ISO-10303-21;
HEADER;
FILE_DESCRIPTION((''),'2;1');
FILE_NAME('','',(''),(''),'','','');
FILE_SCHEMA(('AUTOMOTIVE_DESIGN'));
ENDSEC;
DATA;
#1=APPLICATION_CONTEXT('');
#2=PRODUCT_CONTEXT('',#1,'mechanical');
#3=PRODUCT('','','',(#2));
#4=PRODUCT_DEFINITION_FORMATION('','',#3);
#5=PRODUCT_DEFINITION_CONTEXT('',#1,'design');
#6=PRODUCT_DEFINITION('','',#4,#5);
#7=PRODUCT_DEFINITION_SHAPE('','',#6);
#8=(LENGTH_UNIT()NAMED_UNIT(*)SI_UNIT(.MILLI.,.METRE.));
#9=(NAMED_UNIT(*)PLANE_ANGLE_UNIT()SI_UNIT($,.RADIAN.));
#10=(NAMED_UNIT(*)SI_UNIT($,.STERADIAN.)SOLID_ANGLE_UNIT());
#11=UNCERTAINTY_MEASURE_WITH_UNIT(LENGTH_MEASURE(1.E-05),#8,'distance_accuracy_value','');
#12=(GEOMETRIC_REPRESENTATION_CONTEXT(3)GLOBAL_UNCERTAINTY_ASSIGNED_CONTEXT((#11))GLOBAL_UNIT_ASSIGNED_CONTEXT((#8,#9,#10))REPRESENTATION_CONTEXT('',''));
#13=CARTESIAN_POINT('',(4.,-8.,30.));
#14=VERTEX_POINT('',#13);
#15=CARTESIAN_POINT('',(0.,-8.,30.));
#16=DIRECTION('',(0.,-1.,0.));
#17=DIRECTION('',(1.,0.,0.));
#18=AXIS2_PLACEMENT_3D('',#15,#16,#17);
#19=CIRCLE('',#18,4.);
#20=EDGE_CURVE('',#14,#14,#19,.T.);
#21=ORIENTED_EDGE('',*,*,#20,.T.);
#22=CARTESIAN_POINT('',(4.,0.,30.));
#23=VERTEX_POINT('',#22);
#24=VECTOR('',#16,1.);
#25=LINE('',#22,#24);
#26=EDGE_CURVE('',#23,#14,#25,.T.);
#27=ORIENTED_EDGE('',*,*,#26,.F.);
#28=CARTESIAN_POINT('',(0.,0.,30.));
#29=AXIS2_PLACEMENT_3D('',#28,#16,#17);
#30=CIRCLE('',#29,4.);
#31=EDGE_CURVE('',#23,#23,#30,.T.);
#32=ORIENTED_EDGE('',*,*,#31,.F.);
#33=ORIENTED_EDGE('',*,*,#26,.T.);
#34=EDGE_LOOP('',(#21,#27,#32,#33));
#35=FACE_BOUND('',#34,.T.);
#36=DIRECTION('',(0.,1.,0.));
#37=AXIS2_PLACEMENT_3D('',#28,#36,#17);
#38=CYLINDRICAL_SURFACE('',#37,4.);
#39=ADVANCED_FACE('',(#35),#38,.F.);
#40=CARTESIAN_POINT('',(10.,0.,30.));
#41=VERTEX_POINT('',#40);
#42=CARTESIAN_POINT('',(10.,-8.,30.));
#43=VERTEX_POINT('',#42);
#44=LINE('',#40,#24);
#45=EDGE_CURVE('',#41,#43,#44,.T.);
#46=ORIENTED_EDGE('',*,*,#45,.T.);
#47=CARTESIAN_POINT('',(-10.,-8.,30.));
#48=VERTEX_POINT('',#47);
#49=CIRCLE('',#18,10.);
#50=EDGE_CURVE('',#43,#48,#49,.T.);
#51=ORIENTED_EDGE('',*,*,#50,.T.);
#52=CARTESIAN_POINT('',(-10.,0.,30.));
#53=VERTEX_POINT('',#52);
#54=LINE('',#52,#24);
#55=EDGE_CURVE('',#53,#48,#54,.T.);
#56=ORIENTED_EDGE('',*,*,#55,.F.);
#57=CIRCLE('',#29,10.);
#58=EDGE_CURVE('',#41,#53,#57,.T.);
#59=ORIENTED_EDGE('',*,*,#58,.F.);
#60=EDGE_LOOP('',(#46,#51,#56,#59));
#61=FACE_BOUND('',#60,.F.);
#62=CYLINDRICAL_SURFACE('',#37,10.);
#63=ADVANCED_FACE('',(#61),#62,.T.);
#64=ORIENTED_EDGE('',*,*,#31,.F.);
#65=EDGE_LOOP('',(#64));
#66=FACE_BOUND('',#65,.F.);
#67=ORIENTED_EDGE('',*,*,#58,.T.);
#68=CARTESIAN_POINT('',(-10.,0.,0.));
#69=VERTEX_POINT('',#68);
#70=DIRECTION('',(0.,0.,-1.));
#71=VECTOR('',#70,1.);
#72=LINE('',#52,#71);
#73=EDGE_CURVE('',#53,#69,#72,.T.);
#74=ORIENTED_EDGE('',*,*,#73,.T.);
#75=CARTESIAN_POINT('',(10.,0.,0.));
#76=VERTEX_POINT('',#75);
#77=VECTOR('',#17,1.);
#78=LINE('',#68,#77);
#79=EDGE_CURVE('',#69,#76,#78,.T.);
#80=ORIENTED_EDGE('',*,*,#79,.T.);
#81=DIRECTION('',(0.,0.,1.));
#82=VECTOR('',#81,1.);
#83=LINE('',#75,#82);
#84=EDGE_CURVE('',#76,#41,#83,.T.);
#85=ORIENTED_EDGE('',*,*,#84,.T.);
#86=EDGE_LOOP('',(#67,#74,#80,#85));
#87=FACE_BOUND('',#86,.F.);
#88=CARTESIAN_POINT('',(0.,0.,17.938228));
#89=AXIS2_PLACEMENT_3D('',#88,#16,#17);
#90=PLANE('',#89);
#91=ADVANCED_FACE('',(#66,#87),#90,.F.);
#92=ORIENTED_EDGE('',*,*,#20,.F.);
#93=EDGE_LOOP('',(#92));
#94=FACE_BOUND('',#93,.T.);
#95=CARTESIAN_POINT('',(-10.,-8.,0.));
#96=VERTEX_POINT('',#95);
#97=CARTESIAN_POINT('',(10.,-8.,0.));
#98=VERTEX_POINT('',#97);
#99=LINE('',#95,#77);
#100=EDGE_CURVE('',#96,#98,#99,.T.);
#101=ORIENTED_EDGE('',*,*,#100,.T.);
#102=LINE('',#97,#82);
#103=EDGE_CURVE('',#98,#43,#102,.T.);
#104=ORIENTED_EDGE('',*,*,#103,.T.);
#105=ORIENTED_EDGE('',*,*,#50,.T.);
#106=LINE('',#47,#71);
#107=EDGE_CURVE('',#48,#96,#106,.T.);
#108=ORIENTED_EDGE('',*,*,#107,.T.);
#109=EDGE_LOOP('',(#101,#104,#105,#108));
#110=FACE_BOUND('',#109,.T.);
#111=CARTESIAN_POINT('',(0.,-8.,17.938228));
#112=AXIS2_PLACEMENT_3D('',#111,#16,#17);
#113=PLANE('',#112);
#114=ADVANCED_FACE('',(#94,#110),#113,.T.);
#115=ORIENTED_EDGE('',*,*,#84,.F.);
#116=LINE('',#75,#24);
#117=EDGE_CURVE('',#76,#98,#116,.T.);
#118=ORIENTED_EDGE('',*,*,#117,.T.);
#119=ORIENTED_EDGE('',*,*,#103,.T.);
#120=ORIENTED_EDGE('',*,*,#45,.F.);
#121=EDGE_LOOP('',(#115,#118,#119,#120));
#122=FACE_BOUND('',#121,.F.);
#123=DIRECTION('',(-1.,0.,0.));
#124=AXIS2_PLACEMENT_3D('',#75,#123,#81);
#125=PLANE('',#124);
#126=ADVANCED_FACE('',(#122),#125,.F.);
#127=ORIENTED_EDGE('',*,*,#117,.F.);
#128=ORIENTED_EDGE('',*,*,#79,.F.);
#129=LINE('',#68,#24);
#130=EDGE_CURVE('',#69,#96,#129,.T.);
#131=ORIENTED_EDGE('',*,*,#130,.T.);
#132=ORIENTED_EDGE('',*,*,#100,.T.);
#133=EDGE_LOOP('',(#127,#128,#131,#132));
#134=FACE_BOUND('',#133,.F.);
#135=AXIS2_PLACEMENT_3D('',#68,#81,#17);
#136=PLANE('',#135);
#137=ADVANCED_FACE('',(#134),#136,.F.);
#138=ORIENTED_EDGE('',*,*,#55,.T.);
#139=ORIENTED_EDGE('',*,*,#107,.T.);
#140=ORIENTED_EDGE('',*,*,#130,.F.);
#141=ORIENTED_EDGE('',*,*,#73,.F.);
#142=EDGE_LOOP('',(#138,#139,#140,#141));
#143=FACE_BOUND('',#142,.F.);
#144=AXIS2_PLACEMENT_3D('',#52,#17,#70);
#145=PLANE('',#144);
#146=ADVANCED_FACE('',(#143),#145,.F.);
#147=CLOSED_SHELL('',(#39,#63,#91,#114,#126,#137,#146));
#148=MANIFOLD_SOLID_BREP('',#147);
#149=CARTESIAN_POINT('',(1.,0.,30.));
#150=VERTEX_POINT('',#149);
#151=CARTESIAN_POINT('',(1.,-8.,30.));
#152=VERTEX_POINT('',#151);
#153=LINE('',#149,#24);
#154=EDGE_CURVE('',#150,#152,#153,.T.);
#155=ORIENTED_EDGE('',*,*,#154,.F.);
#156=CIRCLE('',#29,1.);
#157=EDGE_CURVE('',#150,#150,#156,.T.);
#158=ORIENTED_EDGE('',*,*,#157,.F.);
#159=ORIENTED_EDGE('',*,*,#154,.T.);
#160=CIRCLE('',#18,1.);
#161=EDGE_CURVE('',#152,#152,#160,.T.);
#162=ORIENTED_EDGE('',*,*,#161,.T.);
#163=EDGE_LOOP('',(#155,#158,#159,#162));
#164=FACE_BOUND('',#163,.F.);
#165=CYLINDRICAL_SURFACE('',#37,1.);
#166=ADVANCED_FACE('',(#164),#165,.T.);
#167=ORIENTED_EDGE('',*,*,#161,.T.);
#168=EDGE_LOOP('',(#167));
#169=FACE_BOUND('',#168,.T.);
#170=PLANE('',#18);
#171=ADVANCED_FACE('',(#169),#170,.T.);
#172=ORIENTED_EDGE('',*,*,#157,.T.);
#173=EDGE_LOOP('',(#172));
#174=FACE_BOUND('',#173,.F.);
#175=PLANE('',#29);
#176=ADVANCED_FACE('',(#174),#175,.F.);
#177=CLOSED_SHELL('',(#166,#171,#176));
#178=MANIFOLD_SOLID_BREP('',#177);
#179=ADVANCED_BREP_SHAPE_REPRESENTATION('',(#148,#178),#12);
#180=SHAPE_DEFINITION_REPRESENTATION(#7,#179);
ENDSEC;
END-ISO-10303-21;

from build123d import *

# Parameters (mm, degrees)
F0_R     = 4
F1_DEPTH = 8
F2_R     = 1
F3_DEPTH = 8


with BuildPart() as f1:
    # F0 (on Front) → F1 (new body)
    with BuildSketch(Plane.XZ):
        with BuildLine():
            Line((10, 0), (10, 30))
            ThreePointArc((10, 30), (0, 40), (-10, 30))
            Line((-10, 30), (-10, 0))
            Line((-10, 0), (10, 0))
        make_face()
        with Locations((0, 30)):
            Circle(F0_R, mode=Mode.SUBTRACT)
    extrude(amount=F1_DEPTH)


with BuildPart() as f3:
    # F2 (on Front) → F3 (new body)
    with BuildSketch(Plane.XZ):
        with Locations((0, 30)):
            Circle(F2_R)
    extrude(amount=F3_DEPTH)


solid = Compound([f1.part, f3.part])
